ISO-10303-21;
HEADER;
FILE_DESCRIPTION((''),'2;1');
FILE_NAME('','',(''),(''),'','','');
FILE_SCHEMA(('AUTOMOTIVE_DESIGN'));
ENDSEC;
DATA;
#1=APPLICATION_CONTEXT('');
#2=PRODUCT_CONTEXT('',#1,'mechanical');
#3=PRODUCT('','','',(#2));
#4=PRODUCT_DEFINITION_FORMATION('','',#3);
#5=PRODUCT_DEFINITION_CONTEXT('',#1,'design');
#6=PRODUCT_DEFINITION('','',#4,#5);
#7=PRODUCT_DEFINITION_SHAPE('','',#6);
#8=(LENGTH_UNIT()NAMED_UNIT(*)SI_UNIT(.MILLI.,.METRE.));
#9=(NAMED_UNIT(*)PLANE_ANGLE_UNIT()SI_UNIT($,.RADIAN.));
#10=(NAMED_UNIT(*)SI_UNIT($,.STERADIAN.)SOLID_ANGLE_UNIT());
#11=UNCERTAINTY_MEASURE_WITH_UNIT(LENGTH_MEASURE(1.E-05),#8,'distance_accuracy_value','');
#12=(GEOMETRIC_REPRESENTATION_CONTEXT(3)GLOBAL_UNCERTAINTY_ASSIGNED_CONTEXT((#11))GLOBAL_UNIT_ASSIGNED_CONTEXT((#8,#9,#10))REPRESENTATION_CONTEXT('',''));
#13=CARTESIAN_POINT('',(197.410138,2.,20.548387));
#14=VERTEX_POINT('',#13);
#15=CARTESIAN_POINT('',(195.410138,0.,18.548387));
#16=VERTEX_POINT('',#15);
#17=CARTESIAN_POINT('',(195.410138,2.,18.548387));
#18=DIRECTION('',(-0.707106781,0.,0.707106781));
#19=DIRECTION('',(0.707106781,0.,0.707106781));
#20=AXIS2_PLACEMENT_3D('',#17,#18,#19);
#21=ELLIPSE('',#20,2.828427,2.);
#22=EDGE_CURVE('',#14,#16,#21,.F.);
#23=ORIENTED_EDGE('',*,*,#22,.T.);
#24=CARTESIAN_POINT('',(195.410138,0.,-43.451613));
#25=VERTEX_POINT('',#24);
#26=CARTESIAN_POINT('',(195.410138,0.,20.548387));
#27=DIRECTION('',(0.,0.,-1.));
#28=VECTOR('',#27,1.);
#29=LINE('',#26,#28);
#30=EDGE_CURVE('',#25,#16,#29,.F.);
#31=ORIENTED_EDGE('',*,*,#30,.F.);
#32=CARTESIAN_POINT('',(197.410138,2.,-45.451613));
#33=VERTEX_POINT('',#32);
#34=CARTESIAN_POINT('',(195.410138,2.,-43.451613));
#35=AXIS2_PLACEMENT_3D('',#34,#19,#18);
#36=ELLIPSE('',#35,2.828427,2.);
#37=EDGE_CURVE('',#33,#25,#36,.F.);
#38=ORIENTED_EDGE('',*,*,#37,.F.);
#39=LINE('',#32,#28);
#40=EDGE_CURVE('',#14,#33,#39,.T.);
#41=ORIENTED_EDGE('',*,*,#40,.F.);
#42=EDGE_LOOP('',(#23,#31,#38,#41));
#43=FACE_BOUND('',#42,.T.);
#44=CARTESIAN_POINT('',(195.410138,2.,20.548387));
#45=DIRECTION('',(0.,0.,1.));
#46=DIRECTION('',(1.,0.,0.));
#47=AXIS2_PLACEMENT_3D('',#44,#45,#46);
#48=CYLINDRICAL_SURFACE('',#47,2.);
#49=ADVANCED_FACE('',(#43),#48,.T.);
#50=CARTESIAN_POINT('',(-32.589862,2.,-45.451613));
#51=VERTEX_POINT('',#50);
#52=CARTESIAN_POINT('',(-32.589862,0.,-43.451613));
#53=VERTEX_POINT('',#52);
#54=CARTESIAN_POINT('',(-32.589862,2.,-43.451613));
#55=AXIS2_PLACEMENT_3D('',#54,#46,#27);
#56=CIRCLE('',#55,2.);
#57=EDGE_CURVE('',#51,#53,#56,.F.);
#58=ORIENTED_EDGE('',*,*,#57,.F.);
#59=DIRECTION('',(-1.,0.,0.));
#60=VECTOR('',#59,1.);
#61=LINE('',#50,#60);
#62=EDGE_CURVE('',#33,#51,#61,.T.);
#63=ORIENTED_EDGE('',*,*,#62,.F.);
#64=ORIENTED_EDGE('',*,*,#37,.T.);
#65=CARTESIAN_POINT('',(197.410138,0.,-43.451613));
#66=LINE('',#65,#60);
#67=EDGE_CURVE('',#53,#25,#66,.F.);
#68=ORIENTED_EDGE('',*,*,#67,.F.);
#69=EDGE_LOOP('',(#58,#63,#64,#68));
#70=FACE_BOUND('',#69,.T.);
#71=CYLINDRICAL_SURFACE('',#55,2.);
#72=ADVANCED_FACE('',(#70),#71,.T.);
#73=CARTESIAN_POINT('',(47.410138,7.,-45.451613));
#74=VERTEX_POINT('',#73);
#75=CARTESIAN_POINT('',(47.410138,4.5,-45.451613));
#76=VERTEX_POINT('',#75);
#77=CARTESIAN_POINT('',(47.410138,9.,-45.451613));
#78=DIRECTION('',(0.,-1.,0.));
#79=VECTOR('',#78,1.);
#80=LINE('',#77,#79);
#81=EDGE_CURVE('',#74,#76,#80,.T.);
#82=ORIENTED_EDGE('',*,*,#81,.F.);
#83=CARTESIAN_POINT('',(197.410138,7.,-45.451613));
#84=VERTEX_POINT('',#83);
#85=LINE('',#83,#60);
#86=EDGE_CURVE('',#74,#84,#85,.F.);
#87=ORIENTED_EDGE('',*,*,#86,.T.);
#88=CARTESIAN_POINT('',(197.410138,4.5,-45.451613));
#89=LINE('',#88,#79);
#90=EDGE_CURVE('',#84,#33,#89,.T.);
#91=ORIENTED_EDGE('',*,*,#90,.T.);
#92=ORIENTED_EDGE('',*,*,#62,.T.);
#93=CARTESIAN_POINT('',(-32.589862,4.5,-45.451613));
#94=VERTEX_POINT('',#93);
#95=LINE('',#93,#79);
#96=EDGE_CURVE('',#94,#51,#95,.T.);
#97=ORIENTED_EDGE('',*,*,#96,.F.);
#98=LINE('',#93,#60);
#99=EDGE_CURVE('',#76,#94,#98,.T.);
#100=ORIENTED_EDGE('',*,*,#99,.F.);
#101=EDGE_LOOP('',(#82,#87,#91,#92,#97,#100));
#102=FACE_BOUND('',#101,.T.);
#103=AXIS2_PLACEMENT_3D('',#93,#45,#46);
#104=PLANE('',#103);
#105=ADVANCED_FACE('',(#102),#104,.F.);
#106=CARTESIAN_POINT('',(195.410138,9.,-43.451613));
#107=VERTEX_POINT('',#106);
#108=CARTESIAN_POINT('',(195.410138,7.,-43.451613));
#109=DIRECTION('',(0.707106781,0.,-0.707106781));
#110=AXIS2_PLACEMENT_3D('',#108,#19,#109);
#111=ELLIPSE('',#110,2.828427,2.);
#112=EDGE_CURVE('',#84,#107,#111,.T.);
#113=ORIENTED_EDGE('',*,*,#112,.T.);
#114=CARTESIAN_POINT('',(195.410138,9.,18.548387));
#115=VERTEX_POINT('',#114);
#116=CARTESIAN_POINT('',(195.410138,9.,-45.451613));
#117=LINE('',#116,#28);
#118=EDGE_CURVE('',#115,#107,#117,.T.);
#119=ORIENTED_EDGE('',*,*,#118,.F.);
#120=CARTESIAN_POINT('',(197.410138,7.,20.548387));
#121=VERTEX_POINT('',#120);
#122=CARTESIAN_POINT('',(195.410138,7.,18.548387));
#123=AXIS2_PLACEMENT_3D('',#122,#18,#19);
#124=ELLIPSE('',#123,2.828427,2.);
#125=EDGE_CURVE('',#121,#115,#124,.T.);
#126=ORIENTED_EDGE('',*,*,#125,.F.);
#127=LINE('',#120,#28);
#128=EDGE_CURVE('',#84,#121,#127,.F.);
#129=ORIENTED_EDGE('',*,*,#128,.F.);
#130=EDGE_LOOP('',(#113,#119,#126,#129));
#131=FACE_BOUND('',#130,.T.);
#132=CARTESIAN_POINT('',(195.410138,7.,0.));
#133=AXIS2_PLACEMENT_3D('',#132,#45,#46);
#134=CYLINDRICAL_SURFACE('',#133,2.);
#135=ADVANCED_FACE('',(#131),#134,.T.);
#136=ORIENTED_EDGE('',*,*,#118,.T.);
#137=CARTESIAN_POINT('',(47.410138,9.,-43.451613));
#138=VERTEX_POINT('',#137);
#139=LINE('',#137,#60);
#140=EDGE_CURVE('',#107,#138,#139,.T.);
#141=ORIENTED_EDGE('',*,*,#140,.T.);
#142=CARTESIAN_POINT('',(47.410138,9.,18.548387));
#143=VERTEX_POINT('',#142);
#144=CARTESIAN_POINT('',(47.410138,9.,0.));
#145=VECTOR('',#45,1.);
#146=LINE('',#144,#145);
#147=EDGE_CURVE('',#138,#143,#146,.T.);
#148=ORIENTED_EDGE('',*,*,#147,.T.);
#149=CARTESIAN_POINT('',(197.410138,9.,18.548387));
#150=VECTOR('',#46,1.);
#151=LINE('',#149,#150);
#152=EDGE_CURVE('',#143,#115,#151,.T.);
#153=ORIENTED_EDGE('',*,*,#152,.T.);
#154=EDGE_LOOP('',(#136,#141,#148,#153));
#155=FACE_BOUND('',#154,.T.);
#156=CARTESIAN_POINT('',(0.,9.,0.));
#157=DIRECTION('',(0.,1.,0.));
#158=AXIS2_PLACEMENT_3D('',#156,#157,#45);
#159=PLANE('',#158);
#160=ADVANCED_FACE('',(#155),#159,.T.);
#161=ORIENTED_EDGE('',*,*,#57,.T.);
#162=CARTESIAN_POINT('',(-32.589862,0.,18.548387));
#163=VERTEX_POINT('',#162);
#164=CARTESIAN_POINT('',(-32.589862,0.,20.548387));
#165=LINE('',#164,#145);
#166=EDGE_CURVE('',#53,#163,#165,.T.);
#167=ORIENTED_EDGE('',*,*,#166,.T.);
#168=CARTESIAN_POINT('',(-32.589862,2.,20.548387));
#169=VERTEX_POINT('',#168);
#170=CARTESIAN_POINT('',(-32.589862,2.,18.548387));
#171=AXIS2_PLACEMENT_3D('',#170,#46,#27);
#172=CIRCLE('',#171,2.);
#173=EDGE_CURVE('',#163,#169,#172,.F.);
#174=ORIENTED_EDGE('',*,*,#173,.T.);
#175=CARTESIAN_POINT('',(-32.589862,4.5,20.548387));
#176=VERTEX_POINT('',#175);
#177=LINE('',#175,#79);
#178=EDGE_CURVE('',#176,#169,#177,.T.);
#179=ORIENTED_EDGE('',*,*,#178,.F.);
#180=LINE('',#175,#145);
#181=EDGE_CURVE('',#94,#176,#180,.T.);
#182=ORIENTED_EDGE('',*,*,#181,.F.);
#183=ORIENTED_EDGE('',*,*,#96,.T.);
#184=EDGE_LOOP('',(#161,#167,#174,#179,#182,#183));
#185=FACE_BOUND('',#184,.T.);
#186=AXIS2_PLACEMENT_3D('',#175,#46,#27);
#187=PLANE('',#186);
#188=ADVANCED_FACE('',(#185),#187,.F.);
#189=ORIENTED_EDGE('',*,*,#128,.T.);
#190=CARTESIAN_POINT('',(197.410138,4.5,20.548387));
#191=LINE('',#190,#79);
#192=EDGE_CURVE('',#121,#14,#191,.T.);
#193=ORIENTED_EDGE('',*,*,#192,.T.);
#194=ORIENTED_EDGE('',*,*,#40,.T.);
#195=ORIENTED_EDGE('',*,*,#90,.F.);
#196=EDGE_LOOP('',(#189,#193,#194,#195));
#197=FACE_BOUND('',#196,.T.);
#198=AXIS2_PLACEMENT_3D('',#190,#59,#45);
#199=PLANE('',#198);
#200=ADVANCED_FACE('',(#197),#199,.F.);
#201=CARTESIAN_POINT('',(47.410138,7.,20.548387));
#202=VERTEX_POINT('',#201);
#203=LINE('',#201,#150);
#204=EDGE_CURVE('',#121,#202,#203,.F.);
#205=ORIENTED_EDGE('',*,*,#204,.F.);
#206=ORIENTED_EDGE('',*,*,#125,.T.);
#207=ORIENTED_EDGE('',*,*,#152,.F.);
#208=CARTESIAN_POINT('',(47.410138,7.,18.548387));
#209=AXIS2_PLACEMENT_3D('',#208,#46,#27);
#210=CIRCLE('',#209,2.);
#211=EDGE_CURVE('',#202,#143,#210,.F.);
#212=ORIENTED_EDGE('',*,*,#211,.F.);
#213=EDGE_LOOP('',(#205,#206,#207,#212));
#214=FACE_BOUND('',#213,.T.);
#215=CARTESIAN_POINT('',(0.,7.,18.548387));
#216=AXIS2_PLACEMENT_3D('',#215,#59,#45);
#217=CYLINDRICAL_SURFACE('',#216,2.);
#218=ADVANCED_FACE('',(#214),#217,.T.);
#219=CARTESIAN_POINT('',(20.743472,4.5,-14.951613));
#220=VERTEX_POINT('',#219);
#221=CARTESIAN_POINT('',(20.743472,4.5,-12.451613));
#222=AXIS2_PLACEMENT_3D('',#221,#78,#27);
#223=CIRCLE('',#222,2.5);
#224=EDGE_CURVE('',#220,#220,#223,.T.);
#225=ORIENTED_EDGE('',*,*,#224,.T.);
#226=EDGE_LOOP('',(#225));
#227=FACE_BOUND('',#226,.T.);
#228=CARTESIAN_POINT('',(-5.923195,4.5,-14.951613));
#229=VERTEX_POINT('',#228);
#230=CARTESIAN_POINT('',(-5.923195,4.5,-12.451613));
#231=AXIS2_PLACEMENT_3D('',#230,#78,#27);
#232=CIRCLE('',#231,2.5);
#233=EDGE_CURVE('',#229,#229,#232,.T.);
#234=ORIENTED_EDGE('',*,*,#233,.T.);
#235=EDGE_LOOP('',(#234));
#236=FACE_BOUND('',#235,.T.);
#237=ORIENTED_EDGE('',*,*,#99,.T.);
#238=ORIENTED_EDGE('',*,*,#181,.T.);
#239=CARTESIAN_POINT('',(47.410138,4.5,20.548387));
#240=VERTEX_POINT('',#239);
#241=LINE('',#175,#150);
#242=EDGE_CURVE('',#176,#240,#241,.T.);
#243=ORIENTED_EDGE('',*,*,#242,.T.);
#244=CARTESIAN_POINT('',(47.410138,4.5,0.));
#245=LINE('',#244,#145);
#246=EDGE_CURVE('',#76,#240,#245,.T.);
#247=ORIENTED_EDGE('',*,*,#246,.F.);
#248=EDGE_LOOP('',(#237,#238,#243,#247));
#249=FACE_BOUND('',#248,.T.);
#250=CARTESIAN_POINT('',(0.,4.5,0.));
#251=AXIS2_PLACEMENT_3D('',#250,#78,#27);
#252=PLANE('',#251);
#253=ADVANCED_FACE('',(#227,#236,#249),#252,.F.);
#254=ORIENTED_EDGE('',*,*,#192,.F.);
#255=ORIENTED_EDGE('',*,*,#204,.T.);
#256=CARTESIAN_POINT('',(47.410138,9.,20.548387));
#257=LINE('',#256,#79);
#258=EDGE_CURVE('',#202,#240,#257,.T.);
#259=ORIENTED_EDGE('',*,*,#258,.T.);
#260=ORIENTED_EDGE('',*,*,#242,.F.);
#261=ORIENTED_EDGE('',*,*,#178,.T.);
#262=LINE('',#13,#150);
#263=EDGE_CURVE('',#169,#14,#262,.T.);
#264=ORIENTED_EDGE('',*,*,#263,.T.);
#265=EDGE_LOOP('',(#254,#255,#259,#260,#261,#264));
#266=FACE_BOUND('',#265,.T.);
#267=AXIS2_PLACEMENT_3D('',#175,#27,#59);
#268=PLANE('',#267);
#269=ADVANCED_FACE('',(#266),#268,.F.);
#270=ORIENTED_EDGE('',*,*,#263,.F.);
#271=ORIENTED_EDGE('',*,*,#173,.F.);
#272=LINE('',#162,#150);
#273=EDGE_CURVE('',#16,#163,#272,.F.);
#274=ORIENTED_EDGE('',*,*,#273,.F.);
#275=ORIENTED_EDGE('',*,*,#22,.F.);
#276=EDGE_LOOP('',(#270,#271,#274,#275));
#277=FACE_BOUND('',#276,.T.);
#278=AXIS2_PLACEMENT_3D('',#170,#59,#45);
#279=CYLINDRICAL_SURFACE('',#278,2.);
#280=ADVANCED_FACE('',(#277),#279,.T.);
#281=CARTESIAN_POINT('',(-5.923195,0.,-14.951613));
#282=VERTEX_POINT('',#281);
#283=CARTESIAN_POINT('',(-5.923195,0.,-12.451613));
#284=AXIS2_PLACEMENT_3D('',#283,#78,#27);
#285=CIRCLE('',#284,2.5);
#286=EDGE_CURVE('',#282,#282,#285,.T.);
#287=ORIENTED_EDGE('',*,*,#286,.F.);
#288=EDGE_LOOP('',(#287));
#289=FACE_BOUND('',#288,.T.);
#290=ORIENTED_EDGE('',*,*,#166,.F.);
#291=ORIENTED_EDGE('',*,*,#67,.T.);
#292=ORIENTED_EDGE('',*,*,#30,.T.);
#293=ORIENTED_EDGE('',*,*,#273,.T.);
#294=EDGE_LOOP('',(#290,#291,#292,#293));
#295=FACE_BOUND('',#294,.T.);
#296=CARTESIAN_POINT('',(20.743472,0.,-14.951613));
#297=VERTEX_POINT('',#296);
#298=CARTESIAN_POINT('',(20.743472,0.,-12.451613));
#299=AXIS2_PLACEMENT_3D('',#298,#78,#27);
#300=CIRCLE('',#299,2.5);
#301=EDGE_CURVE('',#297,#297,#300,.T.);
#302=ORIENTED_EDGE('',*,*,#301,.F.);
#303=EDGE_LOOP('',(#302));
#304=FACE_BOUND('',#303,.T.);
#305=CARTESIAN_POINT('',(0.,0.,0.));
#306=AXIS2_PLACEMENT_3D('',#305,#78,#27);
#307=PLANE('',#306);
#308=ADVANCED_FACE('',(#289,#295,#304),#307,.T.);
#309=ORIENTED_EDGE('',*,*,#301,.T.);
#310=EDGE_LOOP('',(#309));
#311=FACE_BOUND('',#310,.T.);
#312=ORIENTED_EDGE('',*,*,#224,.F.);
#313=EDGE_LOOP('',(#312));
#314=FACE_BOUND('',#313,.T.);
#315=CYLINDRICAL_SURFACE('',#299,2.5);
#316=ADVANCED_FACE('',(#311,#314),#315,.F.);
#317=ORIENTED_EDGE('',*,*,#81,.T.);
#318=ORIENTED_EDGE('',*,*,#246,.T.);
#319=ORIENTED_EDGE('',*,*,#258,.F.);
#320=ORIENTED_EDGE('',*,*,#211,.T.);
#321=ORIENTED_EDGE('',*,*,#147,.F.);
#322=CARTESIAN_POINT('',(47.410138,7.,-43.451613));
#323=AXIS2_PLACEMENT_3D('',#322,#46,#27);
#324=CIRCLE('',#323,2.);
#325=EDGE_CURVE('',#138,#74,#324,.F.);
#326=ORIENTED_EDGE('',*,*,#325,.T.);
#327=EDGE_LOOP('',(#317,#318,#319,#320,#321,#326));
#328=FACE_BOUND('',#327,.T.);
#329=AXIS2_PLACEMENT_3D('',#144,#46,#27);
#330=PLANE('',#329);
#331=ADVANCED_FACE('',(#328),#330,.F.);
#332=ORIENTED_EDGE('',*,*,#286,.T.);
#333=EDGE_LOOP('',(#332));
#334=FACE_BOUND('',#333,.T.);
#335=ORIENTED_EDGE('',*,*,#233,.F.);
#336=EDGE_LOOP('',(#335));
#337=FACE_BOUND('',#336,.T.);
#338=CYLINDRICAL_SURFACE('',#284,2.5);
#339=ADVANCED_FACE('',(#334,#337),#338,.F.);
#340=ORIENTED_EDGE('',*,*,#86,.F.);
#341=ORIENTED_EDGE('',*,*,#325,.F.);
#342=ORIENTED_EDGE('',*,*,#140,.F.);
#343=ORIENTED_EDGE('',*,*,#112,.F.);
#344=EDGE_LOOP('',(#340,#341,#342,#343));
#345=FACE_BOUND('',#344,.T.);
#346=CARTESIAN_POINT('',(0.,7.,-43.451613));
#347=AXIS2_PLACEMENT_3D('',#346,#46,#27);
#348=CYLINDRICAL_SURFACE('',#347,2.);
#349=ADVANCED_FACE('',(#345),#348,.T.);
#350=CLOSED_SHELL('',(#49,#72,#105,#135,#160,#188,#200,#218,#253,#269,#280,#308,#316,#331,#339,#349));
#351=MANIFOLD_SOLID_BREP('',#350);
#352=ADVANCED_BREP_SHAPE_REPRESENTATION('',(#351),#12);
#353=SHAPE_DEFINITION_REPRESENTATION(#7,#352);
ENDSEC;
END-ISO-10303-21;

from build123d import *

# Parameters (mm, degrees)
SKETCH1_W             = 230
SKETCH1_H             = 66
BOSS_EXTRUDE1_DEPTH   = 4.5
SKETCH11_W            = 150
SKETCH11_H            = 66
BOSS_EXTRUDE2_DEPTH   = 4.5
F_5_0MM_DOWEL_HOLE1_D = 5
FILLET1_R             = 2


with BuildPart() as part:
    # Sketch1 → Boss-Extrude1 (new body)
    with BuildSketch(Plane(origin=(0, 0, 0), x_dir=(1, 0, 0), z_dir=(0, 1, 0))):
        with Locations((82.410138249, 12.451612903)):
            Rectangle(SKETCH1_W, SKETCH1_H)
    extrude(amount=BOSS_EXTRUDE1_DEPTH)

    # Sketch11 → Boss-Extrude2 (add)
    with BuildSketch(Plane(origin=(0, 4.5, 0), x_dir=(1, 0, 0), z_dir=(0, 1, 0))):
        with Locations((122.410138249, 12.451612903)):
            Rectangle(SKETCH11_W, SKETCH11_H)
    extrude(amount=BOSS_EXTRUDE2_DEPTH)

    # Ø5.0mm Dowel Hole1 (through all)
    with Locations(Plane(origin=(0, 0, 0), x_dir=(-1, 0, 0), z_dir=(0, -1, 0))):
        with Locations((5.923195084, 12.451612903), (-20.743471582, 12.451612903)):
            Hole(F_5_0MM_DOWEL_HOLE1_D / 2)

    # Fillet1
    fillet1_edges = [part.edges().sort_by_distance(p)[0] for p in [
        (122.410138249, 9, -45.451612903),
        (122.410138249, 9, 20.548387097),
        (197.410138249, 9, -12.451612903),
        (82.410138249, 0, -45.451612903),
        (197.410138249, 0, -12.451612903),
        (82.410138249, 0, 20.548387097),
    ]]
    fillet(fillet1_edges, radius=FILLET1_R)


solid = part.part
